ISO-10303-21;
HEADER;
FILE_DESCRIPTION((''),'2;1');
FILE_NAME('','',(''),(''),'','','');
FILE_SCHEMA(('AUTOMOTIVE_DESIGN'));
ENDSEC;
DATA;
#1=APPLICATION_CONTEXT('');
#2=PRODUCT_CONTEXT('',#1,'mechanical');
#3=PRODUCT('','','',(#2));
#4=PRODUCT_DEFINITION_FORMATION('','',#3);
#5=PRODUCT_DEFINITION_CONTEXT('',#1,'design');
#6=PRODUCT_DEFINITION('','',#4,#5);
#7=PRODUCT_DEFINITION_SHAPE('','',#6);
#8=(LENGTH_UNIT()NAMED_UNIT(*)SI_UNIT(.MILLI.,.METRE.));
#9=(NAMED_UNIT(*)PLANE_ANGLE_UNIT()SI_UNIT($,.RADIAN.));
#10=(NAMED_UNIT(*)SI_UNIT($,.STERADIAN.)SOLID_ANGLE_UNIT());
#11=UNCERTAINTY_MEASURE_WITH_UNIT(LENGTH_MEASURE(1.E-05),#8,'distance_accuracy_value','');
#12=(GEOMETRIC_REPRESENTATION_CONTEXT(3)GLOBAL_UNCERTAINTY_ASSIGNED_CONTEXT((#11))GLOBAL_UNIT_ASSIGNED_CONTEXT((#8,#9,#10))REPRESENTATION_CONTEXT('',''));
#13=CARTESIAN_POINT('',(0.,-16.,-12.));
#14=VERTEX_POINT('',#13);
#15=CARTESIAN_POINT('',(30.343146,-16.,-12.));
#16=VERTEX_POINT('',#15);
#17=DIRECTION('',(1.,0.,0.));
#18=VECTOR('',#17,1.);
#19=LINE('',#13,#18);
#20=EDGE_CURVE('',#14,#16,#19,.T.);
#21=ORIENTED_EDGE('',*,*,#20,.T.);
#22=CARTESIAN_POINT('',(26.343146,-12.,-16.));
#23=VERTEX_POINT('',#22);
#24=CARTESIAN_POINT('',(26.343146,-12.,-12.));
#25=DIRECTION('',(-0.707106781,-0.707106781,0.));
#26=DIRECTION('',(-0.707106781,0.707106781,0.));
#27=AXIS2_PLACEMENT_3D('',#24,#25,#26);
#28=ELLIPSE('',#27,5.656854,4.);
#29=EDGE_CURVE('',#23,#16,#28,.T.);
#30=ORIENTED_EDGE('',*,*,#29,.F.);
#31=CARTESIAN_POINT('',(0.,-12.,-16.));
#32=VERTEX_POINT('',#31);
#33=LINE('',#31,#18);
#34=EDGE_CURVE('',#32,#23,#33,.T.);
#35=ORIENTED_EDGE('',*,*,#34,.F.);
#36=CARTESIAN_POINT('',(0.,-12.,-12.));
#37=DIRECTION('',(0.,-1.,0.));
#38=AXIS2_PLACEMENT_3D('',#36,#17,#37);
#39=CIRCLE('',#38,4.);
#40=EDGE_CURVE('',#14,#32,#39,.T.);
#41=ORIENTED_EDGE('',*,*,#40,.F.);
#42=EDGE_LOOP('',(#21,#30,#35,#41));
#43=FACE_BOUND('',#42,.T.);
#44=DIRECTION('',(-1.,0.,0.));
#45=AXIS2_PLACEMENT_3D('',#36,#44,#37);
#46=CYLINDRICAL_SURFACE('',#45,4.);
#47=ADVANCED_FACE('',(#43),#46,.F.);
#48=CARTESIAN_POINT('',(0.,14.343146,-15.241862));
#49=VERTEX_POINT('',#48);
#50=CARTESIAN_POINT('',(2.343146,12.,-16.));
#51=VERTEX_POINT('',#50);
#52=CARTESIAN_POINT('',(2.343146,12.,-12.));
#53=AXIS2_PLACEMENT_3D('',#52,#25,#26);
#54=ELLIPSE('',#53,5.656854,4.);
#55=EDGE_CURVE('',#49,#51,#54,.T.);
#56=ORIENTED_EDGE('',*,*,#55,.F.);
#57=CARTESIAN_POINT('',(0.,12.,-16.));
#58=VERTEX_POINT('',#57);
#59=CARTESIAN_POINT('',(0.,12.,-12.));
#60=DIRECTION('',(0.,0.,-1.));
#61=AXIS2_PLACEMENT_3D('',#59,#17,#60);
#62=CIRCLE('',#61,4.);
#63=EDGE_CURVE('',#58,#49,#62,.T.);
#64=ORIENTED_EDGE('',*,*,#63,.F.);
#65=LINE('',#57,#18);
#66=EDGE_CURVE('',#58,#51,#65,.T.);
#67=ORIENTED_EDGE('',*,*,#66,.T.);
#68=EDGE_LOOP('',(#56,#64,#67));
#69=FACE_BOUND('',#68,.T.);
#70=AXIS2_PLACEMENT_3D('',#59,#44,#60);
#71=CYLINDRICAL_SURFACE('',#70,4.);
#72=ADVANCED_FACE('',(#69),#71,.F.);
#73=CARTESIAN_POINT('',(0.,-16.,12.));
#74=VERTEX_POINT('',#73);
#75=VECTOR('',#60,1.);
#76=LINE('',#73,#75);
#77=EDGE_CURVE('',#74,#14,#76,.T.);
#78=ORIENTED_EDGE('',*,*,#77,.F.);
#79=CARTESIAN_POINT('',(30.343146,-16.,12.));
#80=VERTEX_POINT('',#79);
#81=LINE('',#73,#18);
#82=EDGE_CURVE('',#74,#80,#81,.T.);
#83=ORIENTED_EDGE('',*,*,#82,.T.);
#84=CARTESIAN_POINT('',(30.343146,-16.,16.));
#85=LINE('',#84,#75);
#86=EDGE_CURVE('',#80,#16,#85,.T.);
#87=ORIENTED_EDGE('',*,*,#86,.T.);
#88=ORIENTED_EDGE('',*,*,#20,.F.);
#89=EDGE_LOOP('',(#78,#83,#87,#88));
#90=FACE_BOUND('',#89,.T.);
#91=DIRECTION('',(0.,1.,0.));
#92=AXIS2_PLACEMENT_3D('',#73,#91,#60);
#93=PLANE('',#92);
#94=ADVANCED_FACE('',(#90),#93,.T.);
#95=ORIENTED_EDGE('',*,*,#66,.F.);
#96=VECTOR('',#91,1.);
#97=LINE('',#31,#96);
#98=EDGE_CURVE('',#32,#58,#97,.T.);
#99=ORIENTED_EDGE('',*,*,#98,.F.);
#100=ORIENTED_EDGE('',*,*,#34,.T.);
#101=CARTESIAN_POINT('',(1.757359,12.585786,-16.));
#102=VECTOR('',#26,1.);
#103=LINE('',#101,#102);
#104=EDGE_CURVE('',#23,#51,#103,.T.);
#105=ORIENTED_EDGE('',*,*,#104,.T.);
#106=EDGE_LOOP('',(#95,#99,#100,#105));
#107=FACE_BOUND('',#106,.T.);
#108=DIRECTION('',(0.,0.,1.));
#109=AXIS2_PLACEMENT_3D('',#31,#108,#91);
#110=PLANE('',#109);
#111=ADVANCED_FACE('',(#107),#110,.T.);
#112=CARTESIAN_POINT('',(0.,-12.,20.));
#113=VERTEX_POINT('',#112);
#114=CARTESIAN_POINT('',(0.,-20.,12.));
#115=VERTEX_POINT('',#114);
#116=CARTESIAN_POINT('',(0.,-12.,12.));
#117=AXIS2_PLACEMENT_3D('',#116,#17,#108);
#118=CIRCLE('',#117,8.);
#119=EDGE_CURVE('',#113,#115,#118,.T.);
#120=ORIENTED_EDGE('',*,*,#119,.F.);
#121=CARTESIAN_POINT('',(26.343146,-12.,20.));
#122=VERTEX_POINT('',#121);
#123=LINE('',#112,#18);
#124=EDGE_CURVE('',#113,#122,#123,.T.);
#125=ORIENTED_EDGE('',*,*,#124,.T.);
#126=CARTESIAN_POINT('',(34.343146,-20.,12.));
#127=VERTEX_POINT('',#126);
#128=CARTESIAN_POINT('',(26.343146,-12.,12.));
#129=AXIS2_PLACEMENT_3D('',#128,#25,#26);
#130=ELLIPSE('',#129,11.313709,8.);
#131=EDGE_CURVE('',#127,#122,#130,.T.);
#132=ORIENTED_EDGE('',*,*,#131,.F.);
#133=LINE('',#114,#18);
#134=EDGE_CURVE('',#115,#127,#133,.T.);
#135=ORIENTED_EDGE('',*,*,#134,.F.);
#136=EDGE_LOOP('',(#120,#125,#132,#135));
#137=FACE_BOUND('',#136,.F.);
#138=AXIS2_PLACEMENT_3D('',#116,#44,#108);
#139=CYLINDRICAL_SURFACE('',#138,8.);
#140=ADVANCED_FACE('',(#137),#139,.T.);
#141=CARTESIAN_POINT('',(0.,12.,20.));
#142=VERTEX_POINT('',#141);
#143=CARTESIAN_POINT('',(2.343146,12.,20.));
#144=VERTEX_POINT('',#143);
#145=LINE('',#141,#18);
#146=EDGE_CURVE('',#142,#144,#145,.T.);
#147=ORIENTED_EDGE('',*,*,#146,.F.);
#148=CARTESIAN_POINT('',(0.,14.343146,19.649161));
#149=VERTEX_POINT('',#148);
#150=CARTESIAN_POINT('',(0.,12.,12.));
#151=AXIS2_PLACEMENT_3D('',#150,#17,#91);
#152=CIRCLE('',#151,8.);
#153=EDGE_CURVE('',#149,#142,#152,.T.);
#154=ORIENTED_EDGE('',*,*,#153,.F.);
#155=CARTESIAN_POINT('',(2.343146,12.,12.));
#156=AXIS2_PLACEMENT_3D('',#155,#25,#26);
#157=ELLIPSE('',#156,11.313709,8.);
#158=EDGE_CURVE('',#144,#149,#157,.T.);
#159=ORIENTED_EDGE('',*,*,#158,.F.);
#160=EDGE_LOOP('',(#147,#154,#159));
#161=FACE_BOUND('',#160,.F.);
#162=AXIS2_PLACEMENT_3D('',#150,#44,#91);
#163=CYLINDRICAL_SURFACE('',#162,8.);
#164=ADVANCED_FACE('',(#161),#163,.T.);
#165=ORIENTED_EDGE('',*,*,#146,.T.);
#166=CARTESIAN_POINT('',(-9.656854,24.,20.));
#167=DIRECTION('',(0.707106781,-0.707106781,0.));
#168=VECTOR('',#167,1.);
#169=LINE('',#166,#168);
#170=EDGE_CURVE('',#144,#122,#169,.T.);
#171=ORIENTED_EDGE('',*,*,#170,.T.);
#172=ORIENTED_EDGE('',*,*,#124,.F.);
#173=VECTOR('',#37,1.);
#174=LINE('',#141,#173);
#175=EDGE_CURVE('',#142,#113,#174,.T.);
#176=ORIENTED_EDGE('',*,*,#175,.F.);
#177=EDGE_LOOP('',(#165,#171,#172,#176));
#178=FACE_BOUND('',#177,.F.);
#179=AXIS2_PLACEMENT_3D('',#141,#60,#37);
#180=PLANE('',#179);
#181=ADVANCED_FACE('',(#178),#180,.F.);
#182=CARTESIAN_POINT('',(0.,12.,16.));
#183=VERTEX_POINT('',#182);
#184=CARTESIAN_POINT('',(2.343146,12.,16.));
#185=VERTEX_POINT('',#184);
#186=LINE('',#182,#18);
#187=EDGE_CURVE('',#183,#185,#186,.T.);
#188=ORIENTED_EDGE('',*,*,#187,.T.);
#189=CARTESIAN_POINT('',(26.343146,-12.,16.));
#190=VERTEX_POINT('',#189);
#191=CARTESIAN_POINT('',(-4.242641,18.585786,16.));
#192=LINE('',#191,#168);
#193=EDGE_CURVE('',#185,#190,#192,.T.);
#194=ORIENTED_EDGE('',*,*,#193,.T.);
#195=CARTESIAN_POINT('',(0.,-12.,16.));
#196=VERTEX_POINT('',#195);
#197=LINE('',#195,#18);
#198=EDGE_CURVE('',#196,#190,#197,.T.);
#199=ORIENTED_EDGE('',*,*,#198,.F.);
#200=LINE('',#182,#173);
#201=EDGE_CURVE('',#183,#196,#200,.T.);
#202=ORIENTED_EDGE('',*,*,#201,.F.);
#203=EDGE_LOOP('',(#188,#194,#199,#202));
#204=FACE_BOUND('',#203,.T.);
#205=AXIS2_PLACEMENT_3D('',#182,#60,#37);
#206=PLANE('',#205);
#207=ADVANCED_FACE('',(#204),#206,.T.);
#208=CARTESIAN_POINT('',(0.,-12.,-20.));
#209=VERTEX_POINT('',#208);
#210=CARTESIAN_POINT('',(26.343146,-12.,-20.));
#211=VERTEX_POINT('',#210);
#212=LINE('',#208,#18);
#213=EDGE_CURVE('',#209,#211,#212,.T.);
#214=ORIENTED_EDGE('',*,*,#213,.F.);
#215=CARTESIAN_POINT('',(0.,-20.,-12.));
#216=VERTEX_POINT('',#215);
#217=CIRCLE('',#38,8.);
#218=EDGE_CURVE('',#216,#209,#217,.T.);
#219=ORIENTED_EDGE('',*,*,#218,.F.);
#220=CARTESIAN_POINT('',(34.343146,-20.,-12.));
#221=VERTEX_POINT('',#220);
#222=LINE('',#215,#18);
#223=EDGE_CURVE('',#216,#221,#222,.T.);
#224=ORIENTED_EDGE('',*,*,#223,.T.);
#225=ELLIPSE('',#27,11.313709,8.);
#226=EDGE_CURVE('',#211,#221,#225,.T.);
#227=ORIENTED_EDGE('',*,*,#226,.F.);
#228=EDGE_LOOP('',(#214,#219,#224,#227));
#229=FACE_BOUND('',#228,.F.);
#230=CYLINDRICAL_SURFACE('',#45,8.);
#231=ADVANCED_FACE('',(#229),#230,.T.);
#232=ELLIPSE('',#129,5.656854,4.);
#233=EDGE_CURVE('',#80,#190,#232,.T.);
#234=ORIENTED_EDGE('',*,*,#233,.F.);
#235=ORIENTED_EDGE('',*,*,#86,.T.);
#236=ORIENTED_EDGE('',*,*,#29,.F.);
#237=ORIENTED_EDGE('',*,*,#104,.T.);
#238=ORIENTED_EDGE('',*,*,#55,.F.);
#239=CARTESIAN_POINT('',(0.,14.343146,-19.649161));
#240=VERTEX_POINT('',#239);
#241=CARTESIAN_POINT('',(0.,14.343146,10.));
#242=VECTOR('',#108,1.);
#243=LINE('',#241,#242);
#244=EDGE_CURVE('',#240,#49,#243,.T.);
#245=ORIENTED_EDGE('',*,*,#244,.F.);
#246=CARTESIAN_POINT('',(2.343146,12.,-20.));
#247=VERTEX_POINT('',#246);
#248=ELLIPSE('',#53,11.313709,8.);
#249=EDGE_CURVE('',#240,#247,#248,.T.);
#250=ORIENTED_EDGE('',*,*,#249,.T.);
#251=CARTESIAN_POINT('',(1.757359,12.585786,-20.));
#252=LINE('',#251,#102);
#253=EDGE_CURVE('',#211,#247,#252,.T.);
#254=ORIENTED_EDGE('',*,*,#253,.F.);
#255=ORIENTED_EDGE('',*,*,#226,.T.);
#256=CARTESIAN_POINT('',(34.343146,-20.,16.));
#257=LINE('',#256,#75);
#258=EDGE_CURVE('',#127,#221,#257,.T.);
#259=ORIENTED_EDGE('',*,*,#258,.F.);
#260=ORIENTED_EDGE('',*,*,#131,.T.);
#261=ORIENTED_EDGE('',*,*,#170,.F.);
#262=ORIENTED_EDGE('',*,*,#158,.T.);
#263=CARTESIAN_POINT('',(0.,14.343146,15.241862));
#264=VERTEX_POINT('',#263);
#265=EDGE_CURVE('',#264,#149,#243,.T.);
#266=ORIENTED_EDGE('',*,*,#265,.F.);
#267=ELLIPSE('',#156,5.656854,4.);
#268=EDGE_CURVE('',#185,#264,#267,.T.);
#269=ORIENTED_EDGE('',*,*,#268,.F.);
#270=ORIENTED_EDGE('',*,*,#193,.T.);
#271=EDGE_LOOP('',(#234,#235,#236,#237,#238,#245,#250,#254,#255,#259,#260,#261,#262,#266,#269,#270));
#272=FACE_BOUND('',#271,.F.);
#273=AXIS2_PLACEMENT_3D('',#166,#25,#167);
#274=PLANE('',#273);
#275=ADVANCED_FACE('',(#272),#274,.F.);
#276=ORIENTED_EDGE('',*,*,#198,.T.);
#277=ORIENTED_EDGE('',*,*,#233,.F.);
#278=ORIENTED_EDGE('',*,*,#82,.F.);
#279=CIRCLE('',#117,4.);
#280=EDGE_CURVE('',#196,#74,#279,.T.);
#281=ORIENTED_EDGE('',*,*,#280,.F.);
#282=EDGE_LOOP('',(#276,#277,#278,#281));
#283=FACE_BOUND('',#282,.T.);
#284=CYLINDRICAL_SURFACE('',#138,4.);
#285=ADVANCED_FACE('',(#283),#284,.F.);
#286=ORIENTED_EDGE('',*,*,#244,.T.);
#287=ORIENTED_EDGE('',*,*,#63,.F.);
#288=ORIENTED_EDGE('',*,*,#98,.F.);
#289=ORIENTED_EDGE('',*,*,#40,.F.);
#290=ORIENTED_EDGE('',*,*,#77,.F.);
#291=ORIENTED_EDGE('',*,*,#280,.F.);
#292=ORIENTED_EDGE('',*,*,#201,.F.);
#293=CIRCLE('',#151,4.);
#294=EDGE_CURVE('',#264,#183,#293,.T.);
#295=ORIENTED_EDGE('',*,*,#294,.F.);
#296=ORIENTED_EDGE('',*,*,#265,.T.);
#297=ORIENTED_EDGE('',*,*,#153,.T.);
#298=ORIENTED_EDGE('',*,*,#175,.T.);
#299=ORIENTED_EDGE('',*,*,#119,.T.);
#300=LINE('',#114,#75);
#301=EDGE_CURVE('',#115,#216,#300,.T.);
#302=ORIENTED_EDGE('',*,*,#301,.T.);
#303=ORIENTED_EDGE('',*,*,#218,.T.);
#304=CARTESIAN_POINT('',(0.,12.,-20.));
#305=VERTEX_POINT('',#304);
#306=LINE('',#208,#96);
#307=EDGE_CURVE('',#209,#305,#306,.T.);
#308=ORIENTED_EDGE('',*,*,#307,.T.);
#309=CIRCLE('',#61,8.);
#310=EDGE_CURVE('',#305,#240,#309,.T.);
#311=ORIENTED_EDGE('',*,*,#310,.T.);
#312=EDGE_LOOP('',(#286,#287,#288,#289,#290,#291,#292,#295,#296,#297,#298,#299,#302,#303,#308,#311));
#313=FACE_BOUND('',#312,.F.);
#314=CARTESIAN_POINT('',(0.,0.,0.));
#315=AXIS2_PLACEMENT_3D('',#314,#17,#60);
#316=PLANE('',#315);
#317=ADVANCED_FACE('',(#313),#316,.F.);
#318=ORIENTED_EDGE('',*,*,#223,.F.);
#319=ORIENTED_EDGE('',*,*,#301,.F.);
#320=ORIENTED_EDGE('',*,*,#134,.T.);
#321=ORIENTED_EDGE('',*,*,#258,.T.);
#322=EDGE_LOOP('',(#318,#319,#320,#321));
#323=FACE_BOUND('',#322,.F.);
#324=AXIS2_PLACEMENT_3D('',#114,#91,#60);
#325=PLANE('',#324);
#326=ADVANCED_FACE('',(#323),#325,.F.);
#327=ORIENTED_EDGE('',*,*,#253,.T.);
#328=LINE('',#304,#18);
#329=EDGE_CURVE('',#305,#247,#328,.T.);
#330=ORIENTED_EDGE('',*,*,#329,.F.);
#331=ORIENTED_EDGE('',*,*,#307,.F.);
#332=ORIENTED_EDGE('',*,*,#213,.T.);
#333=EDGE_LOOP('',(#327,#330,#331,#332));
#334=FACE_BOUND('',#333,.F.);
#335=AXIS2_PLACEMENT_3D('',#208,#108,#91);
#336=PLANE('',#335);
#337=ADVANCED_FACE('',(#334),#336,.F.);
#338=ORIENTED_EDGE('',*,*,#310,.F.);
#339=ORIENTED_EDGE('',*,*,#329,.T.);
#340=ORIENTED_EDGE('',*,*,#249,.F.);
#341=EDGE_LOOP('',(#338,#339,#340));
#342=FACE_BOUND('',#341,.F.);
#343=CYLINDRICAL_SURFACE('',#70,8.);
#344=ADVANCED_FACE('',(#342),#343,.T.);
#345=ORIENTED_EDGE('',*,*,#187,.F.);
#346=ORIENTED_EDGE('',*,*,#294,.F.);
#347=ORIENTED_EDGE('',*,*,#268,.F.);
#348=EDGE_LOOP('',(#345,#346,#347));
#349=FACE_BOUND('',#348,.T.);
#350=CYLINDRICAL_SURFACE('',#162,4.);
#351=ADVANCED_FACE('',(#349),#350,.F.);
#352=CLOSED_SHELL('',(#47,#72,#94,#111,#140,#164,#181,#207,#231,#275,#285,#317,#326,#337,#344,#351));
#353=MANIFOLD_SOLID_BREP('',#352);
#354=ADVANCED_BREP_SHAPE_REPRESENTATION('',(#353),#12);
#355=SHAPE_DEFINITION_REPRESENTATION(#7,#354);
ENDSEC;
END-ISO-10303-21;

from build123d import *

# Parameters (mm, degrees)
TUBO_CUADRADO_40_X_40_X_4_1_DEPTH = 40
EXTRUDE1_REACH                    = 62


with BuildPart() as part:
    # Sketch6 → Tubo cuadrado 40 X 40 X 4(1) (new body)
    with BuildSketch(Plane(origin=(0, 0, 0), x_dir=(0, 0, -1), z_dir=(1, 0, 0))):
        with BuildLine():
            Line((-12, -20), (12, -20))
            ThreePointArc((12, -20), (17.656854249, -17.656854249), (20, -12))
            Line((20, -12), (20, 12))
            ThreePointArc((20, 12), (17.656854249, 17.656854249), (12, 20))
            Line((12, 20), (-12, 20))
            ThreePointArc((-12, 20), (-17.656854249, 17.656854249), (-20, 12))
            Line((-20, 12), (-20, -12))
            ThreePointArc((-20, -12), (-17.656854249, -17.656854249), (-12, -20))
        make_face()
        with BuildLine():
            Line((-12, -16), (12, -16))
            ThreePointArc((12, -16), (14.828427125, -14.828427125), (16, -12))
            Line((16, -12), (16, 12))
            ThreePointArc((16, 12), (14.828427125, 14.828427125), (12, 16))
            Line((12, 16), (-12, 16))
            ThreePointArc((-12, 16), (-14.828427125, 14.828427125), (-16, 12))
            Line((-16, 12), (-16, -12))
            ThreePointArc((-16, -12), (-14.828427125, -14.828427125), (-12, -16))
        make_face(mode=Mode.SUBTRACT)
    extrude(amount=TUBO_CUADRADO_40_X_40_X_4_1_DEPTH)

    # Sketch2 → Extrude1 (cut, up to next)
    with BuildSketch(Plane.XY.offset(20), mode=Mode.PRIVATE) as extrude1_sk1:
        Polygon((-9.656854249, 24), (44, -29.656854249), (44, 24), align=None)
    extrude1_tool1 = extrude(extrude1_sk1.sketch, amount=-EXTRUDE1_REACH, mode=Mode.PRIVATE) & part.part
    add(extrude1_tool1.solids().sort_by_distance((26.114382, 6.114382, 20))[0], mode=Mode.SUBTRACT)


solid = part.part
